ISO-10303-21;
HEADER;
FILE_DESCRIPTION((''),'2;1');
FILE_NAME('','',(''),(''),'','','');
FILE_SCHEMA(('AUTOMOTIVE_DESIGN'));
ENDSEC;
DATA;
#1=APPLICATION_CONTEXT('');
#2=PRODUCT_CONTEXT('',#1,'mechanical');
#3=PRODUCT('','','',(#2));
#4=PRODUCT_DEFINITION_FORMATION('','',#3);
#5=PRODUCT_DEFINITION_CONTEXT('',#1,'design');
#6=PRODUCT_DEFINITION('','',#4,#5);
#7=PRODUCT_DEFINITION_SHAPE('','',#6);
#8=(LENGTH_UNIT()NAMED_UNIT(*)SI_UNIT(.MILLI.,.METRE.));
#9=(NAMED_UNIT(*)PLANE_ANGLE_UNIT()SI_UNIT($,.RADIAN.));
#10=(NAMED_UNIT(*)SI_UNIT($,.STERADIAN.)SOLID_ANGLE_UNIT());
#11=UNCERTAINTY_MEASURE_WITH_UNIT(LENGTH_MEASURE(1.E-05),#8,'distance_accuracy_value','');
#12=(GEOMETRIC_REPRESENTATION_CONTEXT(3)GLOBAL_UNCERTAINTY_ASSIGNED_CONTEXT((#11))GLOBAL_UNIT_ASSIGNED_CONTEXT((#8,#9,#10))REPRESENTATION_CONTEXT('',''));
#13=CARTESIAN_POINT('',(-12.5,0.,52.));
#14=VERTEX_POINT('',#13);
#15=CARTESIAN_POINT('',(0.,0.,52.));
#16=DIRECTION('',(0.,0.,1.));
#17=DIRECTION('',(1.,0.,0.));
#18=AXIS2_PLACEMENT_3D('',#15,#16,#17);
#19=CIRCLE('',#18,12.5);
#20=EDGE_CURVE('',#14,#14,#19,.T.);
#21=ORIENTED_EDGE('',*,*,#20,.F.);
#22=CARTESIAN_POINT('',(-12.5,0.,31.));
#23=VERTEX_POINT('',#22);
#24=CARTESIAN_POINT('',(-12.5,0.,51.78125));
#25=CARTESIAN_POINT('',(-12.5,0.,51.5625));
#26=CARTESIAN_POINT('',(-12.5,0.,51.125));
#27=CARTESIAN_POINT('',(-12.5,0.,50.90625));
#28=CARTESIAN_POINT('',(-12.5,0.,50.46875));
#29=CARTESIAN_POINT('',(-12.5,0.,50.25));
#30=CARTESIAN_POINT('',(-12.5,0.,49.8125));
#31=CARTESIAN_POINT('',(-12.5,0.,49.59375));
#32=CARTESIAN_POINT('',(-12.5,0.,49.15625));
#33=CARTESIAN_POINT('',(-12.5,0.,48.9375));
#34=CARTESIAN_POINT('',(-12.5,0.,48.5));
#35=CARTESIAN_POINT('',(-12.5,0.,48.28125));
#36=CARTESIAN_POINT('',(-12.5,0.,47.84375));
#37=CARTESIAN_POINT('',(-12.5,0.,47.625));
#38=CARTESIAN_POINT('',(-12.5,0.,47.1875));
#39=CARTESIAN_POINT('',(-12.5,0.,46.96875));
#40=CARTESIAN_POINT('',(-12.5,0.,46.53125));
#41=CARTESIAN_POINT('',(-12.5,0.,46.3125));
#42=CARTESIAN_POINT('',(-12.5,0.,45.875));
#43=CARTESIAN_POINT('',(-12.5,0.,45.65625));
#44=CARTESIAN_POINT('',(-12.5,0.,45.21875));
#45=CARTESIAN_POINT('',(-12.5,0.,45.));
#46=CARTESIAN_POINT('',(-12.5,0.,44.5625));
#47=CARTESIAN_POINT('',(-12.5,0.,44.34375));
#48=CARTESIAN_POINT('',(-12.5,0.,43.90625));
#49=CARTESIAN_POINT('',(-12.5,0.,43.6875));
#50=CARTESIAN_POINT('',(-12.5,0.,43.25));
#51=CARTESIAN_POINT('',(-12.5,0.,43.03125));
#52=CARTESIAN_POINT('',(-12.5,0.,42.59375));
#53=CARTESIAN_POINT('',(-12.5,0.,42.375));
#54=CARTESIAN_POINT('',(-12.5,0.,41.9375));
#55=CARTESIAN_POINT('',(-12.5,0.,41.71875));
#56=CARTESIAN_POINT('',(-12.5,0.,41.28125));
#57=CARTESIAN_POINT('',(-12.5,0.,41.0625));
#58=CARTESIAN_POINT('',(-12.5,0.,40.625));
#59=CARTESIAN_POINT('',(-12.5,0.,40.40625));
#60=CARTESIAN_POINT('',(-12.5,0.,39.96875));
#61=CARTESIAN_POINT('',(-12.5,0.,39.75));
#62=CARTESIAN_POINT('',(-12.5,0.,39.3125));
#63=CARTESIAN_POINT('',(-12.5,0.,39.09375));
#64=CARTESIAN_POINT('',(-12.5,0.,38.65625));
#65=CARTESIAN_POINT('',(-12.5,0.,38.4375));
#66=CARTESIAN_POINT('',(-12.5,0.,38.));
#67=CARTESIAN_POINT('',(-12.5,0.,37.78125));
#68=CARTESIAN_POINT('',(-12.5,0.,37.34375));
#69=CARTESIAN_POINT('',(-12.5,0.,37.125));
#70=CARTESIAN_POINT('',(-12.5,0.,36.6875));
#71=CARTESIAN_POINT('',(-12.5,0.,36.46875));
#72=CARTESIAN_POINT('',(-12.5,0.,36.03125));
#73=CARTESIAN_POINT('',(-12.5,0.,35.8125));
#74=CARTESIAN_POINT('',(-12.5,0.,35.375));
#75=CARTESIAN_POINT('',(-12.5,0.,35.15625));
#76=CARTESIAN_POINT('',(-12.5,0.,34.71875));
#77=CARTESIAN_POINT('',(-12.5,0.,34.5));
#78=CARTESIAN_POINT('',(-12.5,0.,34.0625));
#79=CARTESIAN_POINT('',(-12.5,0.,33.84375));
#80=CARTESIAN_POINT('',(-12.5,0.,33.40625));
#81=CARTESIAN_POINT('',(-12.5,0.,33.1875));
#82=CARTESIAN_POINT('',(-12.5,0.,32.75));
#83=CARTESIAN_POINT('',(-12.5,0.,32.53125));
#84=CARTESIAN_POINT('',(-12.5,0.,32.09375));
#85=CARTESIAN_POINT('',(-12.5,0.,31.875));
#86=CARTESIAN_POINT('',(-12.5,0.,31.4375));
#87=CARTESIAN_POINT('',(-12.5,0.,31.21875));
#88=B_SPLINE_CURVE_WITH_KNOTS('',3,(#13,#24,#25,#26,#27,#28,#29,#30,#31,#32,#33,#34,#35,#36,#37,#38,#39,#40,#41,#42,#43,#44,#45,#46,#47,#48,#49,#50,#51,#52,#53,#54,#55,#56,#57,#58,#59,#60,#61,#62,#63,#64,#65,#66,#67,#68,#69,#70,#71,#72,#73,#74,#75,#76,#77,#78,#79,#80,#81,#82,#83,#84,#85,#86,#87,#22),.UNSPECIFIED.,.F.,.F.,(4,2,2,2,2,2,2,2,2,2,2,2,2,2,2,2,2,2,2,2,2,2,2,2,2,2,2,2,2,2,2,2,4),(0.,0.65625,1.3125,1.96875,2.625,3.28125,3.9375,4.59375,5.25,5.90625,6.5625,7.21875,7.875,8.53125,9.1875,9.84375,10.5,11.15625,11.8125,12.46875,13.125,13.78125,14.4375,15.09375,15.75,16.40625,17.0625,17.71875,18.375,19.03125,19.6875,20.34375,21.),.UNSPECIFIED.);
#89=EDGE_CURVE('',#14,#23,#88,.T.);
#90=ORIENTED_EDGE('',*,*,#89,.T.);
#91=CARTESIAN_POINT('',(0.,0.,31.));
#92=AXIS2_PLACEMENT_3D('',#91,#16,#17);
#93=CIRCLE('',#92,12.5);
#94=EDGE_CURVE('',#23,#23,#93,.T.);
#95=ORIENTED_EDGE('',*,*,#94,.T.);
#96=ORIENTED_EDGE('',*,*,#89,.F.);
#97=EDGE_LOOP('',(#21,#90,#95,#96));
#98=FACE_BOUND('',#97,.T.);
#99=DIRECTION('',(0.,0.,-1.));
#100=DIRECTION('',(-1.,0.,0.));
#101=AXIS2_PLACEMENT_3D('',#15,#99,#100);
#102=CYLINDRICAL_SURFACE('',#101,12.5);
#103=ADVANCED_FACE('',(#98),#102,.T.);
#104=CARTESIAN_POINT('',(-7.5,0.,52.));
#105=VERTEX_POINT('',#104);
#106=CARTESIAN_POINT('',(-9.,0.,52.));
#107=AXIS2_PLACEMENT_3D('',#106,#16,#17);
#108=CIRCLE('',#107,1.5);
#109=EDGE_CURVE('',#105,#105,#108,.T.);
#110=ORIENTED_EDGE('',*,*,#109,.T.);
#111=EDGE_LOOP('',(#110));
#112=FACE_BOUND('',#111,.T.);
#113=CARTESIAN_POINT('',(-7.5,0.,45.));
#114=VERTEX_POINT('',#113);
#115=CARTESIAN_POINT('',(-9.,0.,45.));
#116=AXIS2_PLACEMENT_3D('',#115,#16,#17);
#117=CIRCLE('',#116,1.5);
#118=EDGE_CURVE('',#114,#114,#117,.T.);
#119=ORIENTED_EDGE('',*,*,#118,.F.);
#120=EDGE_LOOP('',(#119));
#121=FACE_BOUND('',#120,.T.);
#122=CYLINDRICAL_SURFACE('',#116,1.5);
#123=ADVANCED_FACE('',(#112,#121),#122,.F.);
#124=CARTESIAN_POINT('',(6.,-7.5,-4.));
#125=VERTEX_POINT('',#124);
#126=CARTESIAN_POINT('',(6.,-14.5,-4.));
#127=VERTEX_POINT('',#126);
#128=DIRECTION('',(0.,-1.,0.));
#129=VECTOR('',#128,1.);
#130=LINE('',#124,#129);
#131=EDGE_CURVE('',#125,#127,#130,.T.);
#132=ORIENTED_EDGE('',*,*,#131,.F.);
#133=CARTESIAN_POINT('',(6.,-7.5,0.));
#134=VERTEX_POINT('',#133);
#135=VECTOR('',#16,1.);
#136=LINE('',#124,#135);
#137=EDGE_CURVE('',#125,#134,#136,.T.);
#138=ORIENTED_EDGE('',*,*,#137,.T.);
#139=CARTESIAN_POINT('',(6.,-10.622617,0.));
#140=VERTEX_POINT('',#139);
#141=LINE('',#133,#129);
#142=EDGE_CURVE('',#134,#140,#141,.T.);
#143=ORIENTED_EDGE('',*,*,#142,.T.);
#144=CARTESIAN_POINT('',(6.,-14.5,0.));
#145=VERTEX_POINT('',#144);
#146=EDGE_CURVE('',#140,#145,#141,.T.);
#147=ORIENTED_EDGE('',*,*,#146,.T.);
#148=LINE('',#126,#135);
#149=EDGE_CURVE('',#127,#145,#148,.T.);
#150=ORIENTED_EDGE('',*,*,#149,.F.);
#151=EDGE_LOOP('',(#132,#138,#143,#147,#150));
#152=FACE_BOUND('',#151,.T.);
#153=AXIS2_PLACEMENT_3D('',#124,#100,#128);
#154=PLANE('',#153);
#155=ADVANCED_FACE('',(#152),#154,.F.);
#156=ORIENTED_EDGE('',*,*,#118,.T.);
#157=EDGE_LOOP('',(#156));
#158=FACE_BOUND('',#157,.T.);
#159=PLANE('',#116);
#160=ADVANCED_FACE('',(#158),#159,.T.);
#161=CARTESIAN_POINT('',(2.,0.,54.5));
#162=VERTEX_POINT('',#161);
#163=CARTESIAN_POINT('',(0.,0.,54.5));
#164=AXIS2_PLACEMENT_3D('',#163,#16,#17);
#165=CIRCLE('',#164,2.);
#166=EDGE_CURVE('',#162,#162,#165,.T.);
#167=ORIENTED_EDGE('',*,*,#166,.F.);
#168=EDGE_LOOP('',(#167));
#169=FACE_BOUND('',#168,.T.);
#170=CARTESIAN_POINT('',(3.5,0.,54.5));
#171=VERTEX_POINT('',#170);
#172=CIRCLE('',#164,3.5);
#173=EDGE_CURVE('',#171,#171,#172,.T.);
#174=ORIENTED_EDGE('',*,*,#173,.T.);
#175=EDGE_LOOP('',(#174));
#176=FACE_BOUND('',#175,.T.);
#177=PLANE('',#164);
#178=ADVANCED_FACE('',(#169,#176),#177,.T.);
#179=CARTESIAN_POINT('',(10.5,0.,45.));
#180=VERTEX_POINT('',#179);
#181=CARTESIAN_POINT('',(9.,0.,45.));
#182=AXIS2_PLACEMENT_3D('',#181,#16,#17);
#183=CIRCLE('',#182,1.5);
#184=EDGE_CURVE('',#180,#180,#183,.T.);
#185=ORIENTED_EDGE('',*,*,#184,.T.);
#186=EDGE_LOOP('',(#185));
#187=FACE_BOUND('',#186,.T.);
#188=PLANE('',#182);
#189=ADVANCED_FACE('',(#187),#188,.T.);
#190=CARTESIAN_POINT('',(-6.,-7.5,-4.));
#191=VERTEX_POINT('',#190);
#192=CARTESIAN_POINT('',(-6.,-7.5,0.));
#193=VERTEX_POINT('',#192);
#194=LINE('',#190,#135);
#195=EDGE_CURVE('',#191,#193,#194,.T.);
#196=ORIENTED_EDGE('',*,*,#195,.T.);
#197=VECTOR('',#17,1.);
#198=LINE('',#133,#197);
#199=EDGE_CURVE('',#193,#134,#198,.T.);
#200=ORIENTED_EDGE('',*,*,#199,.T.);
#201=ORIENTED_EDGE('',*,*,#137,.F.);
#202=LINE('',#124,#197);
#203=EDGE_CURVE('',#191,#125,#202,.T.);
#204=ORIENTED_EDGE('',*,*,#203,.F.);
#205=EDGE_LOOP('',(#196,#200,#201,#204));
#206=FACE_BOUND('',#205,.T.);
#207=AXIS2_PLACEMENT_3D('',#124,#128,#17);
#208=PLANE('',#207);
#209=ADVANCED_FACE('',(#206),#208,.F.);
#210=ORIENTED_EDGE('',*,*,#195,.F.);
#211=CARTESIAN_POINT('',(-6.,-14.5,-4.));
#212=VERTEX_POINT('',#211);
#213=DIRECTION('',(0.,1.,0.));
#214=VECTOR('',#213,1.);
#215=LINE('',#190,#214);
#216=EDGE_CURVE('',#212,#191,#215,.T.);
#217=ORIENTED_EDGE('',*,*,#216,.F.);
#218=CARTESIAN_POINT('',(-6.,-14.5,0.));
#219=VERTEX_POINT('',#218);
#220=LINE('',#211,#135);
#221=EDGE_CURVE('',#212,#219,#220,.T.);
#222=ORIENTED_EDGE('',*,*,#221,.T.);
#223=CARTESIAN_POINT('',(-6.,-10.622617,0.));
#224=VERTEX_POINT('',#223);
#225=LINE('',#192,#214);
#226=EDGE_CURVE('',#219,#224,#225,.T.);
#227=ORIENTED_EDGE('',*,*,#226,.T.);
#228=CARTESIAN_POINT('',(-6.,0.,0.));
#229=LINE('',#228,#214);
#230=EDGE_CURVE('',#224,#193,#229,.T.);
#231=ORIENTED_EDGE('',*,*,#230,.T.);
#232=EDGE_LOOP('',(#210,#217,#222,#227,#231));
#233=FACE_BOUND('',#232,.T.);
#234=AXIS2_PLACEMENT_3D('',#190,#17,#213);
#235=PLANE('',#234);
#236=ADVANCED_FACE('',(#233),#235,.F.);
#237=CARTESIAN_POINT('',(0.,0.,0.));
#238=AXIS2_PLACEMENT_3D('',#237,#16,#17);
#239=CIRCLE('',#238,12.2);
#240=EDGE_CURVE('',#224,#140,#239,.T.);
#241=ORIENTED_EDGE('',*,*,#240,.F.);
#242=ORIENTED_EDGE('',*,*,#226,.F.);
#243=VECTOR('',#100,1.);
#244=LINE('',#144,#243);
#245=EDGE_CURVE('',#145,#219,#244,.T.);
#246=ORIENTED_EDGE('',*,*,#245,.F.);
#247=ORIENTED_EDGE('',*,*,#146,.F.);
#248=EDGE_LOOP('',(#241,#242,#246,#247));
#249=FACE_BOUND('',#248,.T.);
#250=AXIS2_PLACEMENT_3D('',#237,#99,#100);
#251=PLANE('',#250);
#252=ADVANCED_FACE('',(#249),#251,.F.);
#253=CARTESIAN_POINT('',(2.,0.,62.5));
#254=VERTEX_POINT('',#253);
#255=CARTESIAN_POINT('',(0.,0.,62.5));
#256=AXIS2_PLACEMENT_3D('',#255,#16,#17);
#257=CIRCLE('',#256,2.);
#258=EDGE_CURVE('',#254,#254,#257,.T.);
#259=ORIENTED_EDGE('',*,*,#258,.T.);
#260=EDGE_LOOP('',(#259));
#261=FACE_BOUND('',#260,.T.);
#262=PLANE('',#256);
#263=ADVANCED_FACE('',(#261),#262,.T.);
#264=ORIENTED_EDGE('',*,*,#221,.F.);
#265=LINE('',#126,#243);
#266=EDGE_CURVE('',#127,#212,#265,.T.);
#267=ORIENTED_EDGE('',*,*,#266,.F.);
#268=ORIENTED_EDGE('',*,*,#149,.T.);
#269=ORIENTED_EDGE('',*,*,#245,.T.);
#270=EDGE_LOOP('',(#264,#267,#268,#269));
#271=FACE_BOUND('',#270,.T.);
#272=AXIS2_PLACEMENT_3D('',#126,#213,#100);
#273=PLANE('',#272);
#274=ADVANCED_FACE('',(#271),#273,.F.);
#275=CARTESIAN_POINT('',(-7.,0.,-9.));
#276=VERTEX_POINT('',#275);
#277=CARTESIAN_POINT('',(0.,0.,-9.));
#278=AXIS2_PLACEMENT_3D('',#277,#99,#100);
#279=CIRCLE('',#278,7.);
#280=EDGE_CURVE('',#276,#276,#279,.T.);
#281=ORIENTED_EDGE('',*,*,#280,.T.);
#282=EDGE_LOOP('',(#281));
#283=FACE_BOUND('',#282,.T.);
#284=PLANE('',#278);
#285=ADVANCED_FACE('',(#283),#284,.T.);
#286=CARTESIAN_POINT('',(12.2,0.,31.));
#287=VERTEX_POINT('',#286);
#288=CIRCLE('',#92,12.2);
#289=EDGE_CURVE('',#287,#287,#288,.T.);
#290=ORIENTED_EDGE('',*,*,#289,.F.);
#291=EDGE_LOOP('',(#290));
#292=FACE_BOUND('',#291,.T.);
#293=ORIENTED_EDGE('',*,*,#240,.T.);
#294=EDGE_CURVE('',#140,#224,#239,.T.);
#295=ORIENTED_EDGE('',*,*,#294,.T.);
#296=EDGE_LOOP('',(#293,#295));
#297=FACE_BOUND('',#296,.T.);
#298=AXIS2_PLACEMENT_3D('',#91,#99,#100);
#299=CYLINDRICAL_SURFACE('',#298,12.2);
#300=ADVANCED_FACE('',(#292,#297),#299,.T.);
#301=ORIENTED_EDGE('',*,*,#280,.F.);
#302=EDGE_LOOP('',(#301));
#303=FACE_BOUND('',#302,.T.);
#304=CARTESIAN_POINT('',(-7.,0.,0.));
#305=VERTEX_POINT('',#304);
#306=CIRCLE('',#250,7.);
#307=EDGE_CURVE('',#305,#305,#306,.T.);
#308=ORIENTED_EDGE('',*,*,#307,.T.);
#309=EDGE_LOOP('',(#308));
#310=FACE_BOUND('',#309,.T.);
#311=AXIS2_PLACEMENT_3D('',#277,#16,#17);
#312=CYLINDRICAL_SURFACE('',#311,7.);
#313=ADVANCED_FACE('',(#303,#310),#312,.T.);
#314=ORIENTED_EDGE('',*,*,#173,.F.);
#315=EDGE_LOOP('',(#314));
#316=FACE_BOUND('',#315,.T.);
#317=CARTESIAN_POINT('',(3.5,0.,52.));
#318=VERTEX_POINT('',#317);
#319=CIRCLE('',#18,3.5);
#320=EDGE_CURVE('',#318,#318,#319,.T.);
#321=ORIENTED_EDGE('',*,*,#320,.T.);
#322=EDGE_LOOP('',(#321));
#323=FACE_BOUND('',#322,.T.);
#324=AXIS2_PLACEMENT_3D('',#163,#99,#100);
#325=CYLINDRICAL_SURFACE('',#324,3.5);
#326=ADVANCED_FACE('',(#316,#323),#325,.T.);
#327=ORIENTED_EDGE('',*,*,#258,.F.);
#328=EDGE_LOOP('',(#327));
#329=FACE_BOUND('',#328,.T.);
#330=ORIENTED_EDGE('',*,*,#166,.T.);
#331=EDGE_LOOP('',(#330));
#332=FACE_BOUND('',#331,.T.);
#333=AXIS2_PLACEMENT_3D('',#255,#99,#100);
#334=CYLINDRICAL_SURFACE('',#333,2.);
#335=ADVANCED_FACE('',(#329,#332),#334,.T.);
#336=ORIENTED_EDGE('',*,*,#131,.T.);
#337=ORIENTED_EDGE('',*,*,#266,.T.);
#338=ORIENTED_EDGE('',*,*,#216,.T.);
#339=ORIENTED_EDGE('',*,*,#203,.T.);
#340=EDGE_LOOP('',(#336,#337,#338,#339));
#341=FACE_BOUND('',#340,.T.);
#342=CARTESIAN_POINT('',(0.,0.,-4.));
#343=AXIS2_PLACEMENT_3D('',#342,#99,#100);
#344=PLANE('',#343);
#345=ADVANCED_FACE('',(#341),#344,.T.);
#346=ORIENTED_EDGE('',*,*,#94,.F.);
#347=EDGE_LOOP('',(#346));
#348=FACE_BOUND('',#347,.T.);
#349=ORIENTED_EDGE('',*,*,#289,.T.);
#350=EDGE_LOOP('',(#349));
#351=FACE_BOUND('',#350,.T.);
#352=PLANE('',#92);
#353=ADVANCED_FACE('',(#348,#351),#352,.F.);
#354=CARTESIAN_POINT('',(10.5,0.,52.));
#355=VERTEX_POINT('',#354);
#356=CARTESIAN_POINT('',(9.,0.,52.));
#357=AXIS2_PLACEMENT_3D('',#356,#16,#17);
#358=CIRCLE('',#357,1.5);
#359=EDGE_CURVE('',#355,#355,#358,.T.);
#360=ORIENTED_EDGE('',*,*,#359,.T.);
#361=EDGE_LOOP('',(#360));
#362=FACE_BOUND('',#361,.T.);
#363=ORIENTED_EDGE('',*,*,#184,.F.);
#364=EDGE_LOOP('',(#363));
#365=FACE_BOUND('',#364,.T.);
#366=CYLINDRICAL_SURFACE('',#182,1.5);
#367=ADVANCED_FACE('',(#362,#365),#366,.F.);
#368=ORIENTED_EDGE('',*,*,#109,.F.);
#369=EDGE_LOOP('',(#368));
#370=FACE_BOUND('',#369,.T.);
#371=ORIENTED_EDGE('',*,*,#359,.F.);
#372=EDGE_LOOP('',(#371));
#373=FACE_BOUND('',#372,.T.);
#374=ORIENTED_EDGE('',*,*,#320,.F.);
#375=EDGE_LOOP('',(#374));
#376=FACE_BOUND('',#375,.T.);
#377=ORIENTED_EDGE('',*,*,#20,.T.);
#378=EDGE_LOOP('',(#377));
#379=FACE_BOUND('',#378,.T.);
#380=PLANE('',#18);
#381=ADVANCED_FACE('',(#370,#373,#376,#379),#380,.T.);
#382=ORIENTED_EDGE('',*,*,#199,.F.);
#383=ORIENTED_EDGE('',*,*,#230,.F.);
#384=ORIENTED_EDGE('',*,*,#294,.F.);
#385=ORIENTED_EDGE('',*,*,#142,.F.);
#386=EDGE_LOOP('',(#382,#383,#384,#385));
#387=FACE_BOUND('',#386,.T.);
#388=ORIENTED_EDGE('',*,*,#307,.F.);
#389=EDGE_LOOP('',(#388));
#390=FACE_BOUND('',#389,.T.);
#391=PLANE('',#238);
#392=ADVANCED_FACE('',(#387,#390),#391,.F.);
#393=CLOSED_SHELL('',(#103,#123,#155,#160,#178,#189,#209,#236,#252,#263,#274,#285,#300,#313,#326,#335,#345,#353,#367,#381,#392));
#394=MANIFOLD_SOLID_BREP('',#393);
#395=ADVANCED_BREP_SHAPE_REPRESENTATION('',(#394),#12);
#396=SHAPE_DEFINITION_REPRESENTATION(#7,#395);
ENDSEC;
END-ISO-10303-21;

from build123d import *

# Parameters (mm, degrees)
SKETCH1_R           = 12.2
BOSS_EXTRUDE1_DEPTH = 31
SKETCH2_R           = 12.5
BOSS_EXTRUDE2_DEPTH = 21
SKETCH3_R           = 3.5
BOSS_EXTRUDE3_DEPTH = 2.5
SKETCH4_R           = 2
BOSS_EXTRUDE4_DEPTH = 8
SKETCH5_R           = 7
BOSS_EXTRUDE5_DEPTH = 9
SKETCH6_W           = 12
SKETCH6_H           = 7
BOSS_EXTRUDE6_DEPTH = 4
SKETCH7_R           = 1.5
CUT_EXTRUDE1_DEPTH  = 7


with BuildPart() as part:
    # Sketch1 → Boss-Extrude1 (new body)
    with BuildSketch(Plane.XY):
        Circle(SKETCH1_R)
    extrude(amount=BOSS_EXTRUDE1_DEPTH)

    # Sketch2 → Boss-Extrude2 (add)
    with BuildSketch(Plane.XY.offset(31)):
        with Locations(Location((0, 0, 0), (0, 0, 180))):
            Circle(SKETCH2_R)
    extrude(amount=BOSS_EXTRUDE2_DEPTH)

    # Sketch3 → Boss-Extrude3 (add)
    with BuildSketch(Plane.XY.offset(52)):
        Circle(SKETCH3_R)
    extrude(amount=BOSS_EXTRUDE3_DEPTH)

    # Sketch4 → Boss-Extrude4 (add)
    with BuildSketch(Plane.XY.offset(54.5)):
        Circle(SKETCH4_R)
    extrude(amount=BOSS_EXTRUDE4_DEPTH)

    # Sketch5 → Boss-Extrude5 (add)
    with BuildSketch(Plane(origin=(0, 0, 0), x_dir=(-1, 0, 0), z_dir=(0, 0, -1))):
        Circle(SKETCH5_R)
    extrude(amount=BOSS_EXTRUDE5_DEPTH)

    # Sketch6 → Boss-Extrude6 (add)
    with BuildSketch(Plane(origin=(0, 0, 0), x_dir=(-1, 0, 0), z_dir=(0, 0, -1))):
        with Locations((0, -11)):
            Rectangle(SKETCH6_W, SKETCH6_H)
    extrude(amount=BOSS_EXTRUDE6_DEPTH)

    # Sketch7 → Cut-Extrude1 (cut)
    with BuildSketch(Plane.XY.offset(52)):
        with Locations((-9, 0)):
            Circle(SKETCH7_R)
        with Locations((9, 0)):
            Circle(SKETCH7_R)
    extrude(amount=-CUT_EXTRUDE1_DEPTH, mode=Mode.SUBTRACT)


solid = part.part
